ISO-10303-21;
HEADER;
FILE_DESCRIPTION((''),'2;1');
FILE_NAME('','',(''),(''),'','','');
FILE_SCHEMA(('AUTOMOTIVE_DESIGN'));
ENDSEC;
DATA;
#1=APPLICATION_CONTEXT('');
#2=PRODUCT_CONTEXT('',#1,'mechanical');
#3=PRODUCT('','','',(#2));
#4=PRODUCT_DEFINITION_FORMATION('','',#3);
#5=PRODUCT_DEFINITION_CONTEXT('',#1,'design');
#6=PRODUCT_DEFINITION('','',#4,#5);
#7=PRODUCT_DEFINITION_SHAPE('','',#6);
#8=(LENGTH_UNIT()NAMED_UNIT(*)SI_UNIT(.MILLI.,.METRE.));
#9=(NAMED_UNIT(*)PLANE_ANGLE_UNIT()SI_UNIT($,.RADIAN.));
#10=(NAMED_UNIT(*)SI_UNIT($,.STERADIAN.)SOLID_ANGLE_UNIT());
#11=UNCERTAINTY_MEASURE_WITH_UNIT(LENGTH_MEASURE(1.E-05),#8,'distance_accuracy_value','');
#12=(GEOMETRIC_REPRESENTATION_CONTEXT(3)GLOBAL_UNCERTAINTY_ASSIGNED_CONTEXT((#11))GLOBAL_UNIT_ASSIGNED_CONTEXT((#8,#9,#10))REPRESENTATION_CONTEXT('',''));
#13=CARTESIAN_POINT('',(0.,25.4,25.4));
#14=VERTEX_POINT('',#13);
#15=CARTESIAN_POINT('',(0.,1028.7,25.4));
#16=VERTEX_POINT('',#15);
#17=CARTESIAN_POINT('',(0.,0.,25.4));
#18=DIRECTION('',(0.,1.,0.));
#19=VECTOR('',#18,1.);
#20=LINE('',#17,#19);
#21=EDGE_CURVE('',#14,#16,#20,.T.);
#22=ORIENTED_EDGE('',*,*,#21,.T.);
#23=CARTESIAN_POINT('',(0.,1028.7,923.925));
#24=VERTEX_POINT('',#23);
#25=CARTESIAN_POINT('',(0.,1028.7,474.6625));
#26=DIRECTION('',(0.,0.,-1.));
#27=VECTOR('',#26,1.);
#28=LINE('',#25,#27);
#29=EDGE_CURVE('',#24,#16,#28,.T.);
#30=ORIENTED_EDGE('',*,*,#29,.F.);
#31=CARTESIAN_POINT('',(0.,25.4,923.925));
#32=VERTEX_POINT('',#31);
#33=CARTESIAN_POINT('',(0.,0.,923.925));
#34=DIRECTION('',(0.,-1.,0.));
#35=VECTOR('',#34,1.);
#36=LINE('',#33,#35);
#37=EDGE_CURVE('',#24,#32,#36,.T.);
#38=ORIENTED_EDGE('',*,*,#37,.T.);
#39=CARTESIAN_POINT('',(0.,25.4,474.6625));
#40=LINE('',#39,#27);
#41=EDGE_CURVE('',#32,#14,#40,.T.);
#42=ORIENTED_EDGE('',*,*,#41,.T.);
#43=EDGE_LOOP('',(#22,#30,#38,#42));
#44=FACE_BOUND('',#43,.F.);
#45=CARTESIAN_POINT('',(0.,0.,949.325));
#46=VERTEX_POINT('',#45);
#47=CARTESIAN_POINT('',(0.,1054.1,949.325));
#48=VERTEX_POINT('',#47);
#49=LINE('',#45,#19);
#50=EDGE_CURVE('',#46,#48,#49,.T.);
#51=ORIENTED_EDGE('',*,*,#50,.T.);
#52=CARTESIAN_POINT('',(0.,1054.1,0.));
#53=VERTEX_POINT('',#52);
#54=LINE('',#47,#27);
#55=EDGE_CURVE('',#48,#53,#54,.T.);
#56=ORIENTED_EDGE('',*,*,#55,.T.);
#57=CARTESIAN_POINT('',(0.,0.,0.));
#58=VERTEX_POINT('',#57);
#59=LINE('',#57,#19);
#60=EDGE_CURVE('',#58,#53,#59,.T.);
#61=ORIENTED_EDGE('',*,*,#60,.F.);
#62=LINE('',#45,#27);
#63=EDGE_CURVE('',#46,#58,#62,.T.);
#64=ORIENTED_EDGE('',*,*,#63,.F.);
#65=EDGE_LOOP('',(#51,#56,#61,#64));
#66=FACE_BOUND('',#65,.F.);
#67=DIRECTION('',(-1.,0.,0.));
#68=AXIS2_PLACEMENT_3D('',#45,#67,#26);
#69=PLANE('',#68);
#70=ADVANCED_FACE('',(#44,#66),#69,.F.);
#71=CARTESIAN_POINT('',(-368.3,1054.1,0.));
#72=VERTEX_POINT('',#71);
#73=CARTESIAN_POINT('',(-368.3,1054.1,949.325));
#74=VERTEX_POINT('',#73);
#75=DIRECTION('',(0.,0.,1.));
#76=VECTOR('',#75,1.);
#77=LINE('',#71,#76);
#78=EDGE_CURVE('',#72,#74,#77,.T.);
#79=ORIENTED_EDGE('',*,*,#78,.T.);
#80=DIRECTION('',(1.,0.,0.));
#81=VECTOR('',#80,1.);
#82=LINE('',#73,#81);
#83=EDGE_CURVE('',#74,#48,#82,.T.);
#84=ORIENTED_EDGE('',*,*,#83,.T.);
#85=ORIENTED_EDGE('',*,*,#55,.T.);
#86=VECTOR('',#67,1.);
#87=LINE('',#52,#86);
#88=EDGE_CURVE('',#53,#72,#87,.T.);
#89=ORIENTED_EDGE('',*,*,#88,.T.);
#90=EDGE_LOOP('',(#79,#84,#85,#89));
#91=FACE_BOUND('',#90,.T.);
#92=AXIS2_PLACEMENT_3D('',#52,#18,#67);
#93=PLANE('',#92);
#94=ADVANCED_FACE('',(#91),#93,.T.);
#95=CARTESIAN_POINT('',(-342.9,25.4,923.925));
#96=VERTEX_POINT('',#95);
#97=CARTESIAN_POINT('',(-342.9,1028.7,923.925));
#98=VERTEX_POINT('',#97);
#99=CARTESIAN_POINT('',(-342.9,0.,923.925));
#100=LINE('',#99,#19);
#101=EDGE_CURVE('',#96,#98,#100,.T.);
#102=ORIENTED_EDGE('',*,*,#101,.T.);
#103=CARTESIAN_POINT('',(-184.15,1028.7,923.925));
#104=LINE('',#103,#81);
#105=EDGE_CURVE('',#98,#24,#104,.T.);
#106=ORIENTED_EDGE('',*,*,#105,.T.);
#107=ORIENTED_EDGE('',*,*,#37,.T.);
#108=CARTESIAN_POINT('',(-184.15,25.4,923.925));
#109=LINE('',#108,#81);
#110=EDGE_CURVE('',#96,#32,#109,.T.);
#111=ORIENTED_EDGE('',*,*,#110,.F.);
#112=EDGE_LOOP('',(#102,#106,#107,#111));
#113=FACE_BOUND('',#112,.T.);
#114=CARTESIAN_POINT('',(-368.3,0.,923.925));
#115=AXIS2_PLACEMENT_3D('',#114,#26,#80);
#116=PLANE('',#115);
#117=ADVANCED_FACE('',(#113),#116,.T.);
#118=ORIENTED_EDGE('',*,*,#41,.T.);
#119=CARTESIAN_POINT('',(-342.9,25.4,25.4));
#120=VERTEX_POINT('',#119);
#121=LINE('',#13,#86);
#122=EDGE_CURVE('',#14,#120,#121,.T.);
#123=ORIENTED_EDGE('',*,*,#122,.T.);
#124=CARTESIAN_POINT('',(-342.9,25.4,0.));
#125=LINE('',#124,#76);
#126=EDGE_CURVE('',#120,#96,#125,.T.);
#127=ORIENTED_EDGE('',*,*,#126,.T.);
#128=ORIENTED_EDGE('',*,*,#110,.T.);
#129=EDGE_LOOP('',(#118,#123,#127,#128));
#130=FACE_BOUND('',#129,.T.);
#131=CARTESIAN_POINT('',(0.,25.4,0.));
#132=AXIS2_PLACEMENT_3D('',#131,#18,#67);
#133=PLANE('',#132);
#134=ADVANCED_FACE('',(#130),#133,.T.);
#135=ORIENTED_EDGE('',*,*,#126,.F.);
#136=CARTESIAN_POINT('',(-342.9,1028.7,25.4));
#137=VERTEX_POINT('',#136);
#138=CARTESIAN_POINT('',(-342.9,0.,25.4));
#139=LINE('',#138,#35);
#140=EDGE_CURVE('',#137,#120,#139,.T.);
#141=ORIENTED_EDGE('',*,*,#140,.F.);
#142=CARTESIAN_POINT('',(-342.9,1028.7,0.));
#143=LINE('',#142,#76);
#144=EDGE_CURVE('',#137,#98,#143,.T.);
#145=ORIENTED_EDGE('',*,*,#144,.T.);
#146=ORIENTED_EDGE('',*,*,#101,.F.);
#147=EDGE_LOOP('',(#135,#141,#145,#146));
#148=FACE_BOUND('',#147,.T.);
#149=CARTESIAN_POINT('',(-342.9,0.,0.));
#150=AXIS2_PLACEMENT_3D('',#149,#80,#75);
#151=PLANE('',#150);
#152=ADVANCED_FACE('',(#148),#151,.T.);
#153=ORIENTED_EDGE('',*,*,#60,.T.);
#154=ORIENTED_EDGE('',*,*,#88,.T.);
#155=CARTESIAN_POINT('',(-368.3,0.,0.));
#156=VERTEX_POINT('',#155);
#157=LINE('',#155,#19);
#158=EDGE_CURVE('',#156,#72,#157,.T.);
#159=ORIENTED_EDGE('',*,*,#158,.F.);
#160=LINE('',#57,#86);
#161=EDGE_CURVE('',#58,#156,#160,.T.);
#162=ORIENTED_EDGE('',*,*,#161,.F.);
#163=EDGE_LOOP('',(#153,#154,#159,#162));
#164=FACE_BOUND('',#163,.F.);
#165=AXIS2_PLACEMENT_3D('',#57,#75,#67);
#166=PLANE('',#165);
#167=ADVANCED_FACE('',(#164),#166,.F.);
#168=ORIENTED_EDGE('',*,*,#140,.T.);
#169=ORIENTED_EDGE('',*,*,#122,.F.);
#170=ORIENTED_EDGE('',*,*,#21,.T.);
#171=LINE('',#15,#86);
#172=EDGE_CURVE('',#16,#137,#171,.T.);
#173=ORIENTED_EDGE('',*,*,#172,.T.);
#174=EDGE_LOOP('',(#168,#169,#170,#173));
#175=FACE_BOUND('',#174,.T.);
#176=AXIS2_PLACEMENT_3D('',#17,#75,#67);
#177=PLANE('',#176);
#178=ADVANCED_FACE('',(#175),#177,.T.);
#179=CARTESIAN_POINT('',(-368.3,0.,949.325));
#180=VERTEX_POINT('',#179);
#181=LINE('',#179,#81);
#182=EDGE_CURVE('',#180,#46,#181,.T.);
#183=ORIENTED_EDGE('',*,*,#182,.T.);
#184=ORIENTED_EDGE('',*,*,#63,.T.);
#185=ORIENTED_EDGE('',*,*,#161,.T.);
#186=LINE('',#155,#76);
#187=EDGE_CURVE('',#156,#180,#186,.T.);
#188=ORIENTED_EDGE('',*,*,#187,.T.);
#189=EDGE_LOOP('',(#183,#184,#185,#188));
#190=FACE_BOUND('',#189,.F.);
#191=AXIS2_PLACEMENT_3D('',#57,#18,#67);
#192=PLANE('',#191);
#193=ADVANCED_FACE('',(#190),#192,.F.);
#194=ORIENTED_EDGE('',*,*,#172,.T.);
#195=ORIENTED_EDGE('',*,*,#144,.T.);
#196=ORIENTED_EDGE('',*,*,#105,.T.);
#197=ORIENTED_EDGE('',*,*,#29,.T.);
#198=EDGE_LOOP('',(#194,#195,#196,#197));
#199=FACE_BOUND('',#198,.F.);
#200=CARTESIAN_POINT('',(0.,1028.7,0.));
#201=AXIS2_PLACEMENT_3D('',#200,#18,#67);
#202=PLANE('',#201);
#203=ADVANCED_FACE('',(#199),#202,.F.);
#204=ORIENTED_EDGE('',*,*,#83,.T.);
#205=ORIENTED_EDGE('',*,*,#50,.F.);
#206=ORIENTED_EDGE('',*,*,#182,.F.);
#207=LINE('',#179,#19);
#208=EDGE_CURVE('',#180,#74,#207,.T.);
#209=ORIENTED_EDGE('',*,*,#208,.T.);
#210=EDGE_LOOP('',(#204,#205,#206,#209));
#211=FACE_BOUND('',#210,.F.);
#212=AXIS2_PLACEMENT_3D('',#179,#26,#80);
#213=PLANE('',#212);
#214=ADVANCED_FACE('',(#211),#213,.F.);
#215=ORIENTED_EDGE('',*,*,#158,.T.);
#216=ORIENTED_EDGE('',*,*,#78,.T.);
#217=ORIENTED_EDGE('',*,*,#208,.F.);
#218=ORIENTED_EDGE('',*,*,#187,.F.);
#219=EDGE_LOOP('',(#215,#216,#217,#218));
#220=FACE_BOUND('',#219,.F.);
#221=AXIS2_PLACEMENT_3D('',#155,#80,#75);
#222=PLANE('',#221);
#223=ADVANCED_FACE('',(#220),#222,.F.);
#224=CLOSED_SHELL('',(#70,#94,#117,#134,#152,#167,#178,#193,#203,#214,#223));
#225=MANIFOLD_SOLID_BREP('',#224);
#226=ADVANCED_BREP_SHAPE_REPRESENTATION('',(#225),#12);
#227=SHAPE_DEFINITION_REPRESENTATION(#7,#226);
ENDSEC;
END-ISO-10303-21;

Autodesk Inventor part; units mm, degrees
ref_plane "YZ Plane" through (0, 0, 0) normal (1, 0, 0) x (0, 1, 0)
ref_plane "XZ Plane" through (0, 0, 0) normal (0, 1, 0) x (-1, 0, 0)
ref_plane "XY Plane" through (0, 0, 0) normal (0, 0, 1) x (1, 0, 0)
sketch "rolling cart" plane through (0, 0, 0) normal (0, 1, 0) x (-1, 0, 0)
  line L0 (368.3, 949.325) -> (0, 949.325)
  line L1 (0, 949.325) -> (0, 0)
  line L2 (0, 0) -> (368.3, 0)
  line L3 (368.3, 0) -> (368.3, 949.325)
  dimension "d0" = 949.325
  dimension "d1" = 368.3
extrude "part cabinet" add sketch "rolling cart" along normal blind 1054.1
shell "Shell1" thickness 25.4 removed faces 1 at (0, 351.3667, 632.8833)
properties part number "rolling part cabinet"
